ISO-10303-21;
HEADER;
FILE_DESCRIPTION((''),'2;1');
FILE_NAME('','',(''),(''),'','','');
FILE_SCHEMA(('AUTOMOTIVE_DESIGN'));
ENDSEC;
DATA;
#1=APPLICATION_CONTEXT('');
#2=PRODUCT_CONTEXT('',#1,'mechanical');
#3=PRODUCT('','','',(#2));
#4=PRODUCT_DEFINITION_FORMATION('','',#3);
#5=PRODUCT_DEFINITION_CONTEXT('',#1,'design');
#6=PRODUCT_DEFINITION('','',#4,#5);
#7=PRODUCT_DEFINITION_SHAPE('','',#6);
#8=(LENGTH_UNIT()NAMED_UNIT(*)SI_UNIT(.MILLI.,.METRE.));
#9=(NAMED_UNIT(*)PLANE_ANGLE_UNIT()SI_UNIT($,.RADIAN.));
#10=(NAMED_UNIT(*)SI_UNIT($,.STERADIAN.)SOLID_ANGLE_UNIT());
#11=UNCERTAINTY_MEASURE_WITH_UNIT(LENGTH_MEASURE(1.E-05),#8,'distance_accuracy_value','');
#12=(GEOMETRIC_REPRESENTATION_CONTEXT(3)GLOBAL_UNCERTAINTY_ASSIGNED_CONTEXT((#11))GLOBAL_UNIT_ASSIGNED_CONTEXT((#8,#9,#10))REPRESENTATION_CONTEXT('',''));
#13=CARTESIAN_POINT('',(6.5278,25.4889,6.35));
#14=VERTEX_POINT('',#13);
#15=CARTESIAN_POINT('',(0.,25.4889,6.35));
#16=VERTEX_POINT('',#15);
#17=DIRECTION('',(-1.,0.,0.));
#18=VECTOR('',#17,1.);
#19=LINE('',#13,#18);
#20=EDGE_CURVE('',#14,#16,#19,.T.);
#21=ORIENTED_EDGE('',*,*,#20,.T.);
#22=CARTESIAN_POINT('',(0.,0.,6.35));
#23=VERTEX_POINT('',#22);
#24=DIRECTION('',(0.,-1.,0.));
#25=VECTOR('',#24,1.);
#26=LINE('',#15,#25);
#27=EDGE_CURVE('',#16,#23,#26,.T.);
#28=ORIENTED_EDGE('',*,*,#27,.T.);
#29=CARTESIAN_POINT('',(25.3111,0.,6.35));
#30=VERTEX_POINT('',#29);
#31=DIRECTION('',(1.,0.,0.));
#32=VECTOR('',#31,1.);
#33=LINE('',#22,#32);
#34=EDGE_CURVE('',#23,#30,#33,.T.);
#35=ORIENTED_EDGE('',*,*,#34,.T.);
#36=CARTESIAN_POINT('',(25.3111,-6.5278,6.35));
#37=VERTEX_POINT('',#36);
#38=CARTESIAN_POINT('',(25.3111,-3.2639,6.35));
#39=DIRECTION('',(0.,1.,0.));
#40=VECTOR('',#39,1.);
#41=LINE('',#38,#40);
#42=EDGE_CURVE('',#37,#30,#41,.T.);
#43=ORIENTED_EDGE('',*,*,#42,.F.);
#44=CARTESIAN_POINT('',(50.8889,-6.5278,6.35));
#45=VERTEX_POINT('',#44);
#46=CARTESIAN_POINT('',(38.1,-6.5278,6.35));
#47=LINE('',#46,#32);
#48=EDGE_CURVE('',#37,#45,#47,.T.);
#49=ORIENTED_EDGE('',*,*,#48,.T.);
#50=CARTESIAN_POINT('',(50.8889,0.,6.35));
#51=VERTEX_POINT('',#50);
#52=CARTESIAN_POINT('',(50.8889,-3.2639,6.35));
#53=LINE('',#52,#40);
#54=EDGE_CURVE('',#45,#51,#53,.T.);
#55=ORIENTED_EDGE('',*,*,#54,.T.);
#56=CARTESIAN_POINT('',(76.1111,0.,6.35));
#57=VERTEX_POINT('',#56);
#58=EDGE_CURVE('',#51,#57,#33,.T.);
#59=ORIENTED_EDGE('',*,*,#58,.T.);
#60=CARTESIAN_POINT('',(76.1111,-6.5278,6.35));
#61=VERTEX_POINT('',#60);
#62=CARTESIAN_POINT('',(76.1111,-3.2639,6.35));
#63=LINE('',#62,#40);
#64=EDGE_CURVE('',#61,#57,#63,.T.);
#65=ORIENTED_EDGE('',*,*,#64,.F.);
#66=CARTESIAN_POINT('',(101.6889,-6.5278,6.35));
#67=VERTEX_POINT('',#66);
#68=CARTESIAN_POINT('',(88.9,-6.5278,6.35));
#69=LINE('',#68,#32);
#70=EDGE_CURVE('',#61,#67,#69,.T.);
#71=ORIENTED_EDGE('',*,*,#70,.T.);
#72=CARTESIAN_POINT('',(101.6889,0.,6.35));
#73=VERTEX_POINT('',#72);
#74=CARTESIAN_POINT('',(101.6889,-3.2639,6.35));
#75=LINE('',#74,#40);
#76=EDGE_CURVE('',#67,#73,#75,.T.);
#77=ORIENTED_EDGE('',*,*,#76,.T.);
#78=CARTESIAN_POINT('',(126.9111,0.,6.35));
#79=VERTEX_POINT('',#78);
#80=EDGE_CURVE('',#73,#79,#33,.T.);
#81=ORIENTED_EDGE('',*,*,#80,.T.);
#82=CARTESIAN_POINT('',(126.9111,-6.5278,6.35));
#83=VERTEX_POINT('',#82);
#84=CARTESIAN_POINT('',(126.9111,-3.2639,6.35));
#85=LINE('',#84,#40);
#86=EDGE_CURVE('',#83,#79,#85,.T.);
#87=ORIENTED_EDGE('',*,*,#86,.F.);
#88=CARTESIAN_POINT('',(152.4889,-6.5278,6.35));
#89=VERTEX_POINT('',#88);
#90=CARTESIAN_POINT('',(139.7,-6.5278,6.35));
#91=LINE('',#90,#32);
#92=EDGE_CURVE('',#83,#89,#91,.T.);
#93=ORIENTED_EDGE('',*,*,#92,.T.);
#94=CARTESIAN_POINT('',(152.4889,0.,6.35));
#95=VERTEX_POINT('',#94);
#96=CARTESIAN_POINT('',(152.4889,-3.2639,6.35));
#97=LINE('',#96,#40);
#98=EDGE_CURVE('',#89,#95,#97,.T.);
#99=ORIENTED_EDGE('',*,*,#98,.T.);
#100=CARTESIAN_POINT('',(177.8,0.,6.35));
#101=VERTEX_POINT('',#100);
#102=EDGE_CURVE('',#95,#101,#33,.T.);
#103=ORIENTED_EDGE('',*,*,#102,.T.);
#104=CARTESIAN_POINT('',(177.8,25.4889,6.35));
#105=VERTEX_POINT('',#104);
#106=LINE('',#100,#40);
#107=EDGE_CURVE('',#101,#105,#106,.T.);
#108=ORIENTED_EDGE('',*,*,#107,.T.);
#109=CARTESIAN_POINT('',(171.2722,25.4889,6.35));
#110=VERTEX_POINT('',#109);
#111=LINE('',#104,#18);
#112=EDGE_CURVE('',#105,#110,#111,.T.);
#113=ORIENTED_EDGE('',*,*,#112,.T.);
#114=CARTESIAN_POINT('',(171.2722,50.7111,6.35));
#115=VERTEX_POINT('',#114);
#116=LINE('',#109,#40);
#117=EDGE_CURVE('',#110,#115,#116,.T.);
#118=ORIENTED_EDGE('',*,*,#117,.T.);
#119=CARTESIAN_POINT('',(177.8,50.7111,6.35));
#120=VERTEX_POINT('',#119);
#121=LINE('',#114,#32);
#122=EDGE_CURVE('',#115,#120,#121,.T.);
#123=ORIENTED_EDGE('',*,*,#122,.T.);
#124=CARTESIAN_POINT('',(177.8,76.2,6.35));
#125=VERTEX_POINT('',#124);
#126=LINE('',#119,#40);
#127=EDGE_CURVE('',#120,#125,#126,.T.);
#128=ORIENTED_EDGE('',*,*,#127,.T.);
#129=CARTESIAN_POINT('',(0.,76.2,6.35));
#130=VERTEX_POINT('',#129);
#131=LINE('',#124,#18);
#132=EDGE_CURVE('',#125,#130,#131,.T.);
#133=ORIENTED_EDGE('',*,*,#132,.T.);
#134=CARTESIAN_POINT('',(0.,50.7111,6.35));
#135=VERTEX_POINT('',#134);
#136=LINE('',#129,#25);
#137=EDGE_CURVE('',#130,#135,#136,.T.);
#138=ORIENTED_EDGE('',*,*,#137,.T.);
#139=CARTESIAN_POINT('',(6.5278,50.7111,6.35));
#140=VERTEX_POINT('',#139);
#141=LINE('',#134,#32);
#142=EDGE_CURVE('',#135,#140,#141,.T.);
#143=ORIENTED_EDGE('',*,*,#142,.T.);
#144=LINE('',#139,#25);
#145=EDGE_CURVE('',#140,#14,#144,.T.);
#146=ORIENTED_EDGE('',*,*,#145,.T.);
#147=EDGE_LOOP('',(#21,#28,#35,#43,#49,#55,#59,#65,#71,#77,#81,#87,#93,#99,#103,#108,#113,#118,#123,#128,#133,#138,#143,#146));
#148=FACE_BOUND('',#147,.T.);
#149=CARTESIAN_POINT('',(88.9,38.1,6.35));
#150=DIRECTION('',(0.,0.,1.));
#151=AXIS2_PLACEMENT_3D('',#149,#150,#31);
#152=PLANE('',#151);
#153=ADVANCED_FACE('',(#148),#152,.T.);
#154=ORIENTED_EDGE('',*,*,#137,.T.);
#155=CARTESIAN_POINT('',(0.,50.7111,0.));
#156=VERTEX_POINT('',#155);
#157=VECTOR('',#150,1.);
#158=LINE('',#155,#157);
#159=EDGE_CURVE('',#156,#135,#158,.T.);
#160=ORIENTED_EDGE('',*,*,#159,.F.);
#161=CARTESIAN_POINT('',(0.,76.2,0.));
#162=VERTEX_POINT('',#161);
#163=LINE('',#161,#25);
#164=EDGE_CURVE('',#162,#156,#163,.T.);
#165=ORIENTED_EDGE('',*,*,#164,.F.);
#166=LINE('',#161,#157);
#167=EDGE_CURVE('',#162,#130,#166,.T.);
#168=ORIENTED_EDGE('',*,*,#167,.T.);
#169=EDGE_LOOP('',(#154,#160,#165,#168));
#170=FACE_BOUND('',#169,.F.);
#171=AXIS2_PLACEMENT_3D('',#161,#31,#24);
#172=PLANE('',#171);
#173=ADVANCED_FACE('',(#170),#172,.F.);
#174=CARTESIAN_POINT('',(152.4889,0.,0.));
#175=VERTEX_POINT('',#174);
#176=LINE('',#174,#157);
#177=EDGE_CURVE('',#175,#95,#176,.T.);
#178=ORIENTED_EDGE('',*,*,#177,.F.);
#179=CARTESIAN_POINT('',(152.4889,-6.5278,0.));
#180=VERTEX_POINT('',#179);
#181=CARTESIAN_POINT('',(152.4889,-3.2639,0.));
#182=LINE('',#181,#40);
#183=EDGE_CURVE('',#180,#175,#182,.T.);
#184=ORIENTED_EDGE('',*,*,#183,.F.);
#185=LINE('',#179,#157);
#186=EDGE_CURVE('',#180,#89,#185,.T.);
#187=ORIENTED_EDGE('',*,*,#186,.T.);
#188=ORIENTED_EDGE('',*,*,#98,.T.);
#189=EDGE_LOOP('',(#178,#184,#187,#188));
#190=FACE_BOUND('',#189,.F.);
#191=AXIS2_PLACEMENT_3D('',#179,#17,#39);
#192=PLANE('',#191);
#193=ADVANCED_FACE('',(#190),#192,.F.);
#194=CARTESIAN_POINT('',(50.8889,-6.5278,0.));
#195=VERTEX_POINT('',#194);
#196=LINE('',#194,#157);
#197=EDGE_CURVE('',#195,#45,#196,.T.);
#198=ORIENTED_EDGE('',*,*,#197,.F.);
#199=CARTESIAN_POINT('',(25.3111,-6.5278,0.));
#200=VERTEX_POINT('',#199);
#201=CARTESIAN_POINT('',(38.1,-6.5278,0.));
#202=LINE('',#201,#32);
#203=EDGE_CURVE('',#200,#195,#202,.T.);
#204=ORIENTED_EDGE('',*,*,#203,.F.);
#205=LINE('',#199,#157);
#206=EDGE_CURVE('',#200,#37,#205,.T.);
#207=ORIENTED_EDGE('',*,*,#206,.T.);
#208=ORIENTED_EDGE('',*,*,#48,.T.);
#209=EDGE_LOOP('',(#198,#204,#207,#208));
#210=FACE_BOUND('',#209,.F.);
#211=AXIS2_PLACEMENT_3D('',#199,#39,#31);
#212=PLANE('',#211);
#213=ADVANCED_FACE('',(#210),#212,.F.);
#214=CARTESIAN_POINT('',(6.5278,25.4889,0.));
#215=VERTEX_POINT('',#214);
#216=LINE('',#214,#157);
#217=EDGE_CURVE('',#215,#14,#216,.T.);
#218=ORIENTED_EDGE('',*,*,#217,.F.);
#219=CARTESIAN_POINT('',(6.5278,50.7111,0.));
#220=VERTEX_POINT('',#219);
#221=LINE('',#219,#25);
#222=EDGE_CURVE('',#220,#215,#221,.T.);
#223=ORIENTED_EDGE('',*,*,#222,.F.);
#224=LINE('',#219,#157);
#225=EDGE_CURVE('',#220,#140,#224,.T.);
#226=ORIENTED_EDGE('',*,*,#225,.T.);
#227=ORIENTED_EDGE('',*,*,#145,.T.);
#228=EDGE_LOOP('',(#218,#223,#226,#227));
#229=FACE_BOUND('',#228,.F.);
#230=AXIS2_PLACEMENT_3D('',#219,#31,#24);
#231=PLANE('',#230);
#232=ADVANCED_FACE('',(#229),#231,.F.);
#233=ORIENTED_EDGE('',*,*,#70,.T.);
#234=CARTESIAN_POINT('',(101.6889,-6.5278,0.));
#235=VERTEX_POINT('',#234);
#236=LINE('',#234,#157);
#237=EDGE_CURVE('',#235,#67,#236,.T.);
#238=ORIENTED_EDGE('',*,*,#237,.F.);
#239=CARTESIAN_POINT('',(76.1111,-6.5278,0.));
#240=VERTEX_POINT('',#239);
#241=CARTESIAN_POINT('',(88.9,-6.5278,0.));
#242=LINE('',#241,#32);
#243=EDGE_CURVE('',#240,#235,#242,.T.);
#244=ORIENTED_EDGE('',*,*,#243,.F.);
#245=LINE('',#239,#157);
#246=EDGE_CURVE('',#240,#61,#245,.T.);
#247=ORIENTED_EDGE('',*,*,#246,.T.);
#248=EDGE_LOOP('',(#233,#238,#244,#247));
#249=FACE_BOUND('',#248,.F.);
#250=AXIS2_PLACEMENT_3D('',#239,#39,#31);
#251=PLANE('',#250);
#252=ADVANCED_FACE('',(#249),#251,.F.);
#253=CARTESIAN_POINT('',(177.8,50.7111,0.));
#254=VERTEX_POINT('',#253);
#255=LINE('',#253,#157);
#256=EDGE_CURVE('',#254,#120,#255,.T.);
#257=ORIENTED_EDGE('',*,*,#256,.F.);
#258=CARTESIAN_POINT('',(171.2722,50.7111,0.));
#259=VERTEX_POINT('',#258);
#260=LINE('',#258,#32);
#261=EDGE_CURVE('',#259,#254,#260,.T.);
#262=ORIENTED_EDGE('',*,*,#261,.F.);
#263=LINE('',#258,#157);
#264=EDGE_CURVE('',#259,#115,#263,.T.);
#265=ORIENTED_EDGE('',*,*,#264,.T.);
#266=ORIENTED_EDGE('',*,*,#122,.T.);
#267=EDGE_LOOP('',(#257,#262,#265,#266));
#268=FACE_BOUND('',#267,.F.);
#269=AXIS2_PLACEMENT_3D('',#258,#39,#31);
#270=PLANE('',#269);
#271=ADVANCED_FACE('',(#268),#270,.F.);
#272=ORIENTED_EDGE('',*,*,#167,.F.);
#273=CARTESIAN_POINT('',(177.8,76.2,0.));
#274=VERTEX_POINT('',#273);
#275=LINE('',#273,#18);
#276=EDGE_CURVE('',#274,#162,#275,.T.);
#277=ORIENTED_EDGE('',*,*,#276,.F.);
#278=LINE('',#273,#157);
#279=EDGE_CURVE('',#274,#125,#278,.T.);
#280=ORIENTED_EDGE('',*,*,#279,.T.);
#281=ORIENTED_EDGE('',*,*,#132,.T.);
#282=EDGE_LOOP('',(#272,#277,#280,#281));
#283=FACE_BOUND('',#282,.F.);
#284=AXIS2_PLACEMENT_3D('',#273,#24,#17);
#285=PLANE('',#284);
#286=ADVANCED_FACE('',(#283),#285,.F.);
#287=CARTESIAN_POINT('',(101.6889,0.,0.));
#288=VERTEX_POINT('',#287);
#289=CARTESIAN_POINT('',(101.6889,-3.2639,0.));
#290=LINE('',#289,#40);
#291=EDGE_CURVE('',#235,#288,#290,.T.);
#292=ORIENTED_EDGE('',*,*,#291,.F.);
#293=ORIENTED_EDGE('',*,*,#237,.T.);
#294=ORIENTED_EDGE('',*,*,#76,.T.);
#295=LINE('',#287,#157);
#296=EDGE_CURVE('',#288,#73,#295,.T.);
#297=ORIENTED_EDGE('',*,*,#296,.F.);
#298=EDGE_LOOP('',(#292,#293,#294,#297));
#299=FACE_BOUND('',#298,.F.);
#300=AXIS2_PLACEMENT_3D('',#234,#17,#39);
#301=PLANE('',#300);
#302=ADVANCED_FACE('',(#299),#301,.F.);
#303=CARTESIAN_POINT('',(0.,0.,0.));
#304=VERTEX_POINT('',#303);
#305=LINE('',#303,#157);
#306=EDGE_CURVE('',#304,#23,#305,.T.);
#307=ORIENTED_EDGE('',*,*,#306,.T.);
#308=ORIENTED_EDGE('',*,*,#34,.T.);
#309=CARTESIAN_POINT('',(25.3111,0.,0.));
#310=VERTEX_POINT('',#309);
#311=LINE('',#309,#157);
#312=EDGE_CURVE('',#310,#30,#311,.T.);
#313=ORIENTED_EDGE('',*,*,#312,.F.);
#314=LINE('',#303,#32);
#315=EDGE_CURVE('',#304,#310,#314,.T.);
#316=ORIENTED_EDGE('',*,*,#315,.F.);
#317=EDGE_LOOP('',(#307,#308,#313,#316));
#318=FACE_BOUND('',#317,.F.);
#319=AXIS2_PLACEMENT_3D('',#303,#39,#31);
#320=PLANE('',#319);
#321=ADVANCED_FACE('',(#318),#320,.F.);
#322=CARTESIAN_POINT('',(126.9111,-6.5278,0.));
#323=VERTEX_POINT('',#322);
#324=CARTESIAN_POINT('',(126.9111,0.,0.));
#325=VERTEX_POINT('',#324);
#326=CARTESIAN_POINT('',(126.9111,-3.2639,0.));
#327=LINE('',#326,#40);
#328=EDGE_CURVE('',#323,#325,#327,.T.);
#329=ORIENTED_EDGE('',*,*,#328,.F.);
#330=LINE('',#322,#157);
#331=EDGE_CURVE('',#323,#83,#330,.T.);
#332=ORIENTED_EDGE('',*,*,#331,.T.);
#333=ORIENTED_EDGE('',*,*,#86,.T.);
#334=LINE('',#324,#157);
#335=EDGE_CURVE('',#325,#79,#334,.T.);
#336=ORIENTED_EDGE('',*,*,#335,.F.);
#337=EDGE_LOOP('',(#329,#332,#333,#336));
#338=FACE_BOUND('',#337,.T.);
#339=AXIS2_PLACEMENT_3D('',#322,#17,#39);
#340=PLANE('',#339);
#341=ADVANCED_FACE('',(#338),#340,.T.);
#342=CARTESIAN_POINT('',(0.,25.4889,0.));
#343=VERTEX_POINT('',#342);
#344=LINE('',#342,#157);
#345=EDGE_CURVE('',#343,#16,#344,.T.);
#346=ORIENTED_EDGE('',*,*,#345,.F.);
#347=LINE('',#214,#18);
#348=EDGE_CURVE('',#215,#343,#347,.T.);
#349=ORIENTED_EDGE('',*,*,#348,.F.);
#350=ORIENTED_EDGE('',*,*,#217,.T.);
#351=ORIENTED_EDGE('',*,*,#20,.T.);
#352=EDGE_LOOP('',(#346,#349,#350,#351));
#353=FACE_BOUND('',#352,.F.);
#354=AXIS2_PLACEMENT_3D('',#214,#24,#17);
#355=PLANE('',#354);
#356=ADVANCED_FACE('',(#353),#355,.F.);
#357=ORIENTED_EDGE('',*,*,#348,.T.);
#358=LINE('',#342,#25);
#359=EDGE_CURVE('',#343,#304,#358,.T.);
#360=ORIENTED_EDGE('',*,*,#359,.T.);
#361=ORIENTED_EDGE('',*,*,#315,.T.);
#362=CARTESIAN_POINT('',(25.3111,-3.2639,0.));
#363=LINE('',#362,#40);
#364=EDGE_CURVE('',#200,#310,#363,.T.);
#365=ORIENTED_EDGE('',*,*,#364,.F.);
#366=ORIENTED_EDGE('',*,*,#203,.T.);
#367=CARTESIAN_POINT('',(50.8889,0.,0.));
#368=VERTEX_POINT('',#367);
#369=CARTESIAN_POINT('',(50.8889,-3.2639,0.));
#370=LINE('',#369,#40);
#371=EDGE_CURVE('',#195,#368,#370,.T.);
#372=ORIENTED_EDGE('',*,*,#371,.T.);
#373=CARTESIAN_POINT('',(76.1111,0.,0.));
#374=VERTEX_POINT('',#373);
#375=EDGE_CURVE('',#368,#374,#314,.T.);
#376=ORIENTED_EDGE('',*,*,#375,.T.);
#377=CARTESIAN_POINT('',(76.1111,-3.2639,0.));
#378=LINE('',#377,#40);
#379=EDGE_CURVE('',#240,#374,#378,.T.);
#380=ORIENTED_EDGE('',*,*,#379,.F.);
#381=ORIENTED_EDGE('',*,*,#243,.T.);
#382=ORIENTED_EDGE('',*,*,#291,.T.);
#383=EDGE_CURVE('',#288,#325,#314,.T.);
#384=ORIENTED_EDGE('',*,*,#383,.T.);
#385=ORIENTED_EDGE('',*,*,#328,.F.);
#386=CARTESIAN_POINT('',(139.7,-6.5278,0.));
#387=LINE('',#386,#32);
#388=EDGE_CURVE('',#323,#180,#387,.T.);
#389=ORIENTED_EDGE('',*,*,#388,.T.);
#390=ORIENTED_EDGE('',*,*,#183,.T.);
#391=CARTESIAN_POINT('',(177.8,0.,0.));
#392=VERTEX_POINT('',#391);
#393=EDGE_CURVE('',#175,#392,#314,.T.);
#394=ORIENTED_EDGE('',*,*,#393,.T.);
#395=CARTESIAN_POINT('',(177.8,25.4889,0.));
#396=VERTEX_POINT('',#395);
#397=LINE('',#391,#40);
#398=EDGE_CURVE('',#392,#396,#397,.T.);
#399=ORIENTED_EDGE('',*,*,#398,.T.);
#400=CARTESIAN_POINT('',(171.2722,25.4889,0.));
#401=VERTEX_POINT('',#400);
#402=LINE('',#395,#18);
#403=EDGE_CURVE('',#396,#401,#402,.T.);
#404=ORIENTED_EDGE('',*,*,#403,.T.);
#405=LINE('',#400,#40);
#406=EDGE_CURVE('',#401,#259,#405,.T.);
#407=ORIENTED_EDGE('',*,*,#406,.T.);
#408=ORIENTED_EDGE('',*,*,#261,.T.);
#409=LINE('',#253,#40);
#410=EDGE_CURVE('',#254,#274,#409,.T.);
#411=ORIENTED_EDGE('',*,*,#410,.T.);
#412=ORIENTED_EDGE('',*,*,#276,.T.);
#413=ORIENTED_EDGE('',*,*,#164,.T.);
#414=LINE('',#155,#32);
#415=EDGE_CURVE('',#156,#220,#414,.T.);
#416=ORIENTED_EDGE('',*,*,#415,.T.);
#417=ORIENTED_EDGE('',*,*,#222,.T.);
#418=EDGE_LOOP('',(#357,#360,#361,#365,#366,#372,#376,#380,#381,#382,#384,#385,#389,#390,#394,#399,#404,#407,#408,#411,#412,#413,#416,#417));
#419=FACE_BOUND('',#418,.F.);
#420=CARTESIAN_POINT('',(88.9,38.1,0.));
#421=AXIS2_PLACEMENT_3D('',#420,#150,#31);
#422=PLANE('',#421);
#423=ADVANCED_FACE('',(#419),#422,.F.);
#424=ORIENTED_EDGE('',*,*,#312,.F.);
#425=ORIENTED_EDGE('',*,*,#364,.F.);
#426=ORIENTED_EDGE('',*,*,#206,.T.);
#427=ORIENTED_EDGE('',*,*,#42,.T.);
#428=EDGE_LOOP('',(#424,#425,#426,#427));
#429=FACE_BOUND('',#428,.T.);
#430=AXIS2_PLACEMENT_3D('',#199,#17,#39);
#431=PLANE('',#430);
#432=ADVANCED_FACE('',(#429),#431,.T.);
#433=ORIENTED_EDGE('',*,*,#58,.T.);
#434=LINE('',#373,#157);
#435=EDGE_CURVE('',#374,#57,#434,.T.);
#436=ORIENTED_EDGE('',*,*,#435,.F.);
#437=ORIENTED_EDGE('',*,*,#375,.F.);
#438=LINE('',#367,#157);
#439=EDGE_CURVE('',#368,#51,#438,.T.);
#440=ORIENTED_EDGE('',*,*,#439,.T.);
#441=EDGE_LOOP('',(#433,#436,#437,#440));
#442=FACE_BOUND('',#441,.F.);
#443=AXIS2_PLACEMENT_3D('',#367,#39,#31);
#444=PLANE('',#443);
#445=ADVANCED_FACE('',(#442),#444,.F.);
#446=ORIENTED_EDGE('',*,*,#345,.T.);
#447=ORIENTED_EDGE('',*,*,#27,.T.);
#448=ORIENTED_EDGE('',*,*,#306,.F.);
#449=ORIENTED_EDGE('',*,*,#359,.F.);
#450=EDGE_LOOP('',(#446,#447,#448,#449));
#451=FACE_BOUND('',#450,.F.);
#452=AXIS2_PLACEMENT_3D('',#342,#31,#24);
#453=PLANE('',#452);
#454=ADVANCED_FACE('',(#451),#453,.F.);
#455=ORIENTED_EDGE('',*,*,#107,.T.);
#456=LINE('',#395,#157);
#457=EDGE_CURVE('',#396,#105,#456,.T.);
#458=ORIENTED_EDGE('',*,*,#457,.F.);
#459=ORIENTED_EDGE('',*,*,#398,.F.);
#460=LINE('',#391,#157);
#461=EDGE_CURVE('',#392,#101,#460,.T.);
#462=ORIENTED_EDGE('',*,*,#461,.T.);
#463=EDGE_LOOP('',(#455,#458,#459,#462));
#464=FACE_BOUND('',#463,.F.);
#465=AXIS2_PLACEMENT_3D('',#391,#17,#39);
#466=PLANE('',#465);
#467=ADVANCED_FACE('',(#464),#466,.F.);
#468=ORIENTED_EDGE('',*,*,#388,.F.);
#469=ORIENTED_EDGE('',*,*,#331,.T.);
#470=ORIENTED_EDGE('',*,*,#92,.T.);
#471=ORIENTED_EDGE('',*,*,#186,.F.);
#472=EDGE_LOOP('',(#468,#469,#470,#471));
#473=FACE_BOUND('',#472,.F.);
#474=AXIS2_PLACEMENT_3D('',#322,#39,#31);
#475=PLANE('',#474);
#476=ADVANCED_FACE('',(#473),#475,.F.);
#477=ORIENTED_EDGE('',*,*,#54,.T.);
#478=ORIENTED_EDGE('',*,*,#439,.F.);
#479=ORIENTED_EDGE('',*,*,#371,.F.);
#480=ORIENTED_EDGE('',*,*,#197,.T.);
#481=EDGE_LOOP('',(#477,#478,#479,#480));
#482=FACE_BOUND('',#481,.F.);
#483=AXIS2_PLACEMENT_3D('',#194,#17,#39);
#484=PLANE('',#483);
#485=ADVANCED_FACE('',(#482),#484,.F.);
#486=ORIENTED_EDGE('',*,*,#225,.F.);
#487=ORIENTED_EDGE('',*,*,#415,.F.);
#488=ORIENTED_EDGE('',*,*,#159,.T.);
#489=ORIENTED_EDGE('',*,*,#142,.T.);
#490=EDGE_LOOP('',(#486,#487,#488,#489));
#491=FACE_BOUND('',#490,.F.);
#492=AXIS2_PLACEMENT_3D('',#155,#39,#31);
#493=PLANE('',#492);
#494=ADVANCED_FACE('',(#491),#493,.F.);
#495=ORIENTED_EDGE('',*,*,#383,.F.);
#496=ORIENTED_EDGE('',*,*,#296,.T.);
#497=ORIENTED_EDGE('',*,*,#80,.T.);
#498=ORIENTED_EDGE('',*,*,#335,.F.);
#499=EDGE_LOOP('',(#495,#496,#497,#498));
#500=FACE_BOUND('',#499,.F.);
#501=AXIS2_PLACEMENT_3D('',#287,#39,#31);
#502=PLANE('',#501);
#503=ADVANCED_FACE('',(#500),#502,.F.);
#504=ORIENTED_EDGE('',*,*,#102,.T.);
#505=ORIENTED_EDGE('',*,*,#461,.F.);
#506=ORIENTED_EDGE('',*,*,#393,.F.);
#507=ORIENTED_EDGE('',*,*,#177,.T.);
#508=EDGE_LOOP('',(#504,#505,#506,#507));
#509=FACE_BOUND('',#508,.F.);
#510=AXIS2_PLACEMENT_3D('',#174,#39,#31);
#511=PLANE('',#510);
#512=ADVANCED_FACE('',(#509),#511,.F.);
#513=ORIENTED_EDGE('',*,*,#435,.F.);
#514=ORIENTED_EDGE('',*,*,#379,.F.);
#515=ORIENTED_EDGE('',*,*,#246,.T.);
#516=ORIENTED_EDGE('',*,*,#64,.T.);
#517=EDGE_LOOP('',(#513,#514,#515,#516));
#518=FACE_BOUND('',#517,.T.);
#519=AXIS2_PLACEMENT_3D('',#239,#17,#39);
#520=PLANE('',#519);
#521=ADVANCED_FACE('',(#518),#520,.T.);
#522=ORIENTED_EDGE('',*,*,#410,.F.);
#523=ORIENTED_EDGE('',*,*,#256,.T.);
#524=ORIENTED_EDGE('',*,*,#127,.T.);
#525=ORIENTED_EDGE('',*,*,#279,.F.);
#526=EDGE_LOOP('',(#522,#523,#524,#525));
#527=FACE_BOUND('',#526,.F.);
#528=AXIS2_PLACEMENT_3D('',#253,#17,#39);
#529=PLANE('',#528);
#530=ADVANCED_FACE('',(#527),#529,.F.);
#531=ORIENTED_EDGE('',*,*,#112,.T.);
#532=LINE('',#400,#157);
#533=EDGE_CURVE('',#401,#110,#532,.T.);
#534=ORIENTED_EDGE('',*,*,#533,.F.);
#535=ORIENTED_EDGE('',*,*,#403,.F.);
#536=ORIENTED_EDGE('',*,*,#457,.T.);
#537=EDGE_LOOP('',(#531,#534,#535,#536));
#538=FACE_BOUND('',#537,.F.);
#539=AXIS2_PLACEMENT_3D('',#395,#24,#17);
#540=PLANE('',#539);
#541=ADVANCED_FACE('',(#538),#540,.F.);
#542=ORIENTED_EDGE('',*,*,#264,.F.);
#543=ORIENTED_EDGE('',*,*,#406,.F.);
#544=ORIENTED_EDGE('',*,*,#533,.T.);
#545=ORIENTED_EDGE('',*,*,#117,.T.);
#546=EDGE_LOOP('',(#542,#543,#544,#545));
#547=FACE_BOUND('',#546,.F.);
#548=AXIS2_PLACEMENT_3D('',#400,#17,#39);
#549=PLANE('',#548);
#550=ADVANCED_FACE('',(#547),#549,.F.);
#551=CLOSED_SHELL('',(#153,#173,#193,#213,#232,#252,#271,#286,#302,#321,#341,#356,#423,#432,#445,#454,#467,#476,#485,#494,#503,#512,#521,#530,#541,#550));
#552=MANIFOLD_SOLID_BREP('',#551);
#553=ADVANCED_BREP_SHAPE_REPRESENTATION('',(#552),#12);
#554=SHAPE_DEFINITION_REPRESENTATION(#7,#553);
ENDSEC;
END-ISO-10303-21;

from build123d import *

# Parameters (mm, degrees)
F0_W     = 25.5778
F0_H     = 6.5278
F1_DEPTH = 6.35


with BuildPart() as f1:
    # F0 (on Top) → F1 (new body)
    with BuildSketch(Plane.XY):
        Polygon((0, 25.4889), (0, 0), (25.3111, 0), (50.8889, 0), (76.1111, 0), (101.6889, 0), (126.9111, 0), (152.4889, 0), (177.8, 0), (177.8, 25.4889), (171.2722, 25.4889), (171.2722, 50.7111), (177.8, 50.7111), (177.8, 76.2), (0, 76.2), (0, 50.7111), (6.5278, 50.7111), (6.5278, 25.4889), align=None)
        with Locations((38.1, -3.2639)):
            Rectangle(F0_W, F0_H)
        with Locations((88.9, -3.2639)):
            Rectangle(F0_W, F0_H)
        with Locations((139.7, -3.2639)):
            Rectangle(F0_W, F0_H)
    extrude(amount=F1_DEPTH)


solid = f1.part
